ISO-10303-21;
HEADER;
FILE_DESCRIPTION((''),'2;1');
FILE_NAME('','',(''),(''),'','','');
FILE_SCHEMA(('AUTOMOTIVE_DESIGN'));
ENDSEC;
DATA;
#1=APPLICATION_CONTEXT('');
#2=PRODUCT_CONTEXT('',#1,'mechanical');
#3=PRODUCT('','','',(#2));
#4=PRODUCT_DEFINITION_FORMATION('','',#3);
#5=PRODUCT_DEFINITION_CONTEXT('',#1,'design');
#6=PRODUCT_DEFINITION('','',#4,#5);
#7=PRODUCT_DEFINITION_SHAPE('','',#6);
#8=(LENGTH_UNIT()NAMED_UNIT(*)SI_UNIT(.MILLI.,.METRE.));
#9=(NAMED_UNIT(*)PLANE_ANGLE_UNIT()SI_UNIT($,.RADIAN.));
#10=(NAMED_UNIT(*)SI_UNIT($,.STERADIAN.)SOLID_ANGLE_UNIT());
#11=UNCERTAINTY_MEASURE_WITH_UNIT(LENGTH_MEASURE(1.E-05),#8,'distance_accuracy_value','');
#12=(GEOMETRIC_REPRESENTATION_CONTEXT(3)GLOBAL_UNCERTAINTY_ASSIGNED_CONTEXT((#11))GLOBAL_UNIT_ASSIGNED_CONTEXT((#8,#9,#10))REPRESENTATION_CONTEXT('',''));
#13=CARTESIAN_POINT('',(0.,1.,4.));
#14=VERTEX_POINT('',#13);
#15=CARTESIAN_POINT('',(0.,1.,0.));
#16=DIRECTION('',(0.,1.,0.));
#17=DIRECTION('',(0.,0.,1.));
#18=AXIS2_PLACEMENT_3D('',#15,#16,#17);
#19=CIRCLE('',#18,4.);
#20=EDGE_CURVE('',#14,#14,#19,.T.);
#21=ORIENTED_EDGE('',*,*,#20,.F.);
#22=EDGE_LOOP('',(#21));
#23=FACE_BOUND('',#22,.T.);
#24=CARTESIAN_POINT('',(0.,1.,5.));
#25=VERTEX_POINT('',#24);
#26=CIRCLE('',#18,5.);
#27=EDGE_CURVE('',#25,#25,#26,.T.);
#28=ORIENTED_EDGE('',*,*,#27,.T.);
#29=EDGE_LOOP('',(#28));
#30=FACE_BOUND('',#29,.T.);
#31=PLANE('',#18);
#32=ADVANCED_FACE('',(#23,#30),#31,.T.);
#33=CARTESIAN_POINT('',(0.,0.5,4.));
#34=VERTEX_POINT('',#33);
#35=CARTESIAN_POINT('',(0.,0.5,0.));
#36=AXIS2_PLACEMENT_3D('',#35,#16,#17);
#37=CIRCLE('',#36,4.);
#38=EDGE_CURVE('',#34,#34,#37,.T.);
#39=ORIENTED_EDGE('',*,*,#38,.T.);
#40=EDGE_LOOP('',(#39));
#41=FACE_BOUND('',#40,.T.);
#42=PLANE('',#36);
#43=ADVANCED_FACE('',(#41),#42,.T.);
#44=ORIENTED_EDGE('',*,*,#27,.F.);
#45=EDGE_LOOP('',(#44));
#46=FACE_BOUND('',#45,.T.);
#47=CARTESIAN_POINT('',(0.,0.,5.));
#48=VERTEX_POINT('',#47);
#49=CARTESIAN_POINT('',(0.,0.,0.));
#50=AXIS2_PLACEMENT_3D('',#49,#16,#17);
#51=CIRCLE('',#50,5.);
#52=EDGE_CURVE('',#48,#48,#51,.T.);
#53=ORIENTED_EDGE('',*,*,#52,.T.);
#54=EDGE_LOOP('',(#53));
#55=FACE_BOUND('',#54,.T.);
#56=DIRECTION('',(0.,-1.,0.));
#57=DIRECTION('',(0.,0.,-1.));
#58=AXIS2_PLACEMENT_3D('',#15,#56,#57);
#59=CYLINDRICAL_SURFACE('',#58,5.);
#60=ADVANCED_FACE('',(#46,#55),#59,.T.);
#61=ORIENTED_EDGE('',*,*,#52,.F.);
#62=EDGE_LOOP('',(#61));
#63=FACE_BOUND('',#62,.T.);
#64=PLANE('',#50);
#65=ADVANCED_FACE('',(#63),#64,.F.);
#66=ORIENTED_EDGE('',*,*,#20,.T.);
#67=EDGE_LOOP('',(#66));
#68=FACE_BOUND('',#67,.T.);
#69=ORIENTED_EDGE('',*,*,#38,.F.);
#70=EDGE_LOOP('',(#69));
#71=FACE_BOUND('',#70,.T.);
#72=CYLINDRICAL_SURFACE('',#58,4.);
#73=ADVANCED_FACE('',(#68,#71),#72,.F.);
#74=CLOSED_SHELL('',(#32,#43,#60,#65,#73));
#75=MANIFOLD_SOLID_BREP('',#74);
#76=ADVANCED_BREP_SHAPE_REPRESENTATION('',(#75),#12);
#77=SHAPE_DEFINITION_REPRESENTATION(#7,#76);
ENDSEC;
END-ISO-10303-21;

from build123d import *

# Parameters (mm, degrees)
SKETCH1_R           = 5
SKETCH1_R_2         = 4
BOSS_EXTRUDE1_DEPTH = 1
SKETCH1_2_R         = 4
BOSS_EXTRUDE2_DEPTH = 0.5


with BuildPart() as part:
    # Sketch1 → Boss-Extrude1 (new body)
    with BuildSketch(Plane(origin=(0, 0, 0), x_dir=(1, 0, 0), z_dir=(0, 1, 0))):
        Circle(SKETCH1_R)
        Circle(SKETCH1_R_2, mode=Mode.SUBTRACT)
    extrude(amount=BOSS_EXTRUDE1_DEPTH)

    # Sketch1<2> → Boss-Extrude2 (add)
    with BuildSketch(Plane(origin=(0, 0, 0), x_dir=(1, 0, 0), z_dir=(0, 1, 0))):
        Circle(SKETCH1_2_R)
    extrude(amount=BOSS_EXTRUDE2_DEPTH)


solid = part.part
